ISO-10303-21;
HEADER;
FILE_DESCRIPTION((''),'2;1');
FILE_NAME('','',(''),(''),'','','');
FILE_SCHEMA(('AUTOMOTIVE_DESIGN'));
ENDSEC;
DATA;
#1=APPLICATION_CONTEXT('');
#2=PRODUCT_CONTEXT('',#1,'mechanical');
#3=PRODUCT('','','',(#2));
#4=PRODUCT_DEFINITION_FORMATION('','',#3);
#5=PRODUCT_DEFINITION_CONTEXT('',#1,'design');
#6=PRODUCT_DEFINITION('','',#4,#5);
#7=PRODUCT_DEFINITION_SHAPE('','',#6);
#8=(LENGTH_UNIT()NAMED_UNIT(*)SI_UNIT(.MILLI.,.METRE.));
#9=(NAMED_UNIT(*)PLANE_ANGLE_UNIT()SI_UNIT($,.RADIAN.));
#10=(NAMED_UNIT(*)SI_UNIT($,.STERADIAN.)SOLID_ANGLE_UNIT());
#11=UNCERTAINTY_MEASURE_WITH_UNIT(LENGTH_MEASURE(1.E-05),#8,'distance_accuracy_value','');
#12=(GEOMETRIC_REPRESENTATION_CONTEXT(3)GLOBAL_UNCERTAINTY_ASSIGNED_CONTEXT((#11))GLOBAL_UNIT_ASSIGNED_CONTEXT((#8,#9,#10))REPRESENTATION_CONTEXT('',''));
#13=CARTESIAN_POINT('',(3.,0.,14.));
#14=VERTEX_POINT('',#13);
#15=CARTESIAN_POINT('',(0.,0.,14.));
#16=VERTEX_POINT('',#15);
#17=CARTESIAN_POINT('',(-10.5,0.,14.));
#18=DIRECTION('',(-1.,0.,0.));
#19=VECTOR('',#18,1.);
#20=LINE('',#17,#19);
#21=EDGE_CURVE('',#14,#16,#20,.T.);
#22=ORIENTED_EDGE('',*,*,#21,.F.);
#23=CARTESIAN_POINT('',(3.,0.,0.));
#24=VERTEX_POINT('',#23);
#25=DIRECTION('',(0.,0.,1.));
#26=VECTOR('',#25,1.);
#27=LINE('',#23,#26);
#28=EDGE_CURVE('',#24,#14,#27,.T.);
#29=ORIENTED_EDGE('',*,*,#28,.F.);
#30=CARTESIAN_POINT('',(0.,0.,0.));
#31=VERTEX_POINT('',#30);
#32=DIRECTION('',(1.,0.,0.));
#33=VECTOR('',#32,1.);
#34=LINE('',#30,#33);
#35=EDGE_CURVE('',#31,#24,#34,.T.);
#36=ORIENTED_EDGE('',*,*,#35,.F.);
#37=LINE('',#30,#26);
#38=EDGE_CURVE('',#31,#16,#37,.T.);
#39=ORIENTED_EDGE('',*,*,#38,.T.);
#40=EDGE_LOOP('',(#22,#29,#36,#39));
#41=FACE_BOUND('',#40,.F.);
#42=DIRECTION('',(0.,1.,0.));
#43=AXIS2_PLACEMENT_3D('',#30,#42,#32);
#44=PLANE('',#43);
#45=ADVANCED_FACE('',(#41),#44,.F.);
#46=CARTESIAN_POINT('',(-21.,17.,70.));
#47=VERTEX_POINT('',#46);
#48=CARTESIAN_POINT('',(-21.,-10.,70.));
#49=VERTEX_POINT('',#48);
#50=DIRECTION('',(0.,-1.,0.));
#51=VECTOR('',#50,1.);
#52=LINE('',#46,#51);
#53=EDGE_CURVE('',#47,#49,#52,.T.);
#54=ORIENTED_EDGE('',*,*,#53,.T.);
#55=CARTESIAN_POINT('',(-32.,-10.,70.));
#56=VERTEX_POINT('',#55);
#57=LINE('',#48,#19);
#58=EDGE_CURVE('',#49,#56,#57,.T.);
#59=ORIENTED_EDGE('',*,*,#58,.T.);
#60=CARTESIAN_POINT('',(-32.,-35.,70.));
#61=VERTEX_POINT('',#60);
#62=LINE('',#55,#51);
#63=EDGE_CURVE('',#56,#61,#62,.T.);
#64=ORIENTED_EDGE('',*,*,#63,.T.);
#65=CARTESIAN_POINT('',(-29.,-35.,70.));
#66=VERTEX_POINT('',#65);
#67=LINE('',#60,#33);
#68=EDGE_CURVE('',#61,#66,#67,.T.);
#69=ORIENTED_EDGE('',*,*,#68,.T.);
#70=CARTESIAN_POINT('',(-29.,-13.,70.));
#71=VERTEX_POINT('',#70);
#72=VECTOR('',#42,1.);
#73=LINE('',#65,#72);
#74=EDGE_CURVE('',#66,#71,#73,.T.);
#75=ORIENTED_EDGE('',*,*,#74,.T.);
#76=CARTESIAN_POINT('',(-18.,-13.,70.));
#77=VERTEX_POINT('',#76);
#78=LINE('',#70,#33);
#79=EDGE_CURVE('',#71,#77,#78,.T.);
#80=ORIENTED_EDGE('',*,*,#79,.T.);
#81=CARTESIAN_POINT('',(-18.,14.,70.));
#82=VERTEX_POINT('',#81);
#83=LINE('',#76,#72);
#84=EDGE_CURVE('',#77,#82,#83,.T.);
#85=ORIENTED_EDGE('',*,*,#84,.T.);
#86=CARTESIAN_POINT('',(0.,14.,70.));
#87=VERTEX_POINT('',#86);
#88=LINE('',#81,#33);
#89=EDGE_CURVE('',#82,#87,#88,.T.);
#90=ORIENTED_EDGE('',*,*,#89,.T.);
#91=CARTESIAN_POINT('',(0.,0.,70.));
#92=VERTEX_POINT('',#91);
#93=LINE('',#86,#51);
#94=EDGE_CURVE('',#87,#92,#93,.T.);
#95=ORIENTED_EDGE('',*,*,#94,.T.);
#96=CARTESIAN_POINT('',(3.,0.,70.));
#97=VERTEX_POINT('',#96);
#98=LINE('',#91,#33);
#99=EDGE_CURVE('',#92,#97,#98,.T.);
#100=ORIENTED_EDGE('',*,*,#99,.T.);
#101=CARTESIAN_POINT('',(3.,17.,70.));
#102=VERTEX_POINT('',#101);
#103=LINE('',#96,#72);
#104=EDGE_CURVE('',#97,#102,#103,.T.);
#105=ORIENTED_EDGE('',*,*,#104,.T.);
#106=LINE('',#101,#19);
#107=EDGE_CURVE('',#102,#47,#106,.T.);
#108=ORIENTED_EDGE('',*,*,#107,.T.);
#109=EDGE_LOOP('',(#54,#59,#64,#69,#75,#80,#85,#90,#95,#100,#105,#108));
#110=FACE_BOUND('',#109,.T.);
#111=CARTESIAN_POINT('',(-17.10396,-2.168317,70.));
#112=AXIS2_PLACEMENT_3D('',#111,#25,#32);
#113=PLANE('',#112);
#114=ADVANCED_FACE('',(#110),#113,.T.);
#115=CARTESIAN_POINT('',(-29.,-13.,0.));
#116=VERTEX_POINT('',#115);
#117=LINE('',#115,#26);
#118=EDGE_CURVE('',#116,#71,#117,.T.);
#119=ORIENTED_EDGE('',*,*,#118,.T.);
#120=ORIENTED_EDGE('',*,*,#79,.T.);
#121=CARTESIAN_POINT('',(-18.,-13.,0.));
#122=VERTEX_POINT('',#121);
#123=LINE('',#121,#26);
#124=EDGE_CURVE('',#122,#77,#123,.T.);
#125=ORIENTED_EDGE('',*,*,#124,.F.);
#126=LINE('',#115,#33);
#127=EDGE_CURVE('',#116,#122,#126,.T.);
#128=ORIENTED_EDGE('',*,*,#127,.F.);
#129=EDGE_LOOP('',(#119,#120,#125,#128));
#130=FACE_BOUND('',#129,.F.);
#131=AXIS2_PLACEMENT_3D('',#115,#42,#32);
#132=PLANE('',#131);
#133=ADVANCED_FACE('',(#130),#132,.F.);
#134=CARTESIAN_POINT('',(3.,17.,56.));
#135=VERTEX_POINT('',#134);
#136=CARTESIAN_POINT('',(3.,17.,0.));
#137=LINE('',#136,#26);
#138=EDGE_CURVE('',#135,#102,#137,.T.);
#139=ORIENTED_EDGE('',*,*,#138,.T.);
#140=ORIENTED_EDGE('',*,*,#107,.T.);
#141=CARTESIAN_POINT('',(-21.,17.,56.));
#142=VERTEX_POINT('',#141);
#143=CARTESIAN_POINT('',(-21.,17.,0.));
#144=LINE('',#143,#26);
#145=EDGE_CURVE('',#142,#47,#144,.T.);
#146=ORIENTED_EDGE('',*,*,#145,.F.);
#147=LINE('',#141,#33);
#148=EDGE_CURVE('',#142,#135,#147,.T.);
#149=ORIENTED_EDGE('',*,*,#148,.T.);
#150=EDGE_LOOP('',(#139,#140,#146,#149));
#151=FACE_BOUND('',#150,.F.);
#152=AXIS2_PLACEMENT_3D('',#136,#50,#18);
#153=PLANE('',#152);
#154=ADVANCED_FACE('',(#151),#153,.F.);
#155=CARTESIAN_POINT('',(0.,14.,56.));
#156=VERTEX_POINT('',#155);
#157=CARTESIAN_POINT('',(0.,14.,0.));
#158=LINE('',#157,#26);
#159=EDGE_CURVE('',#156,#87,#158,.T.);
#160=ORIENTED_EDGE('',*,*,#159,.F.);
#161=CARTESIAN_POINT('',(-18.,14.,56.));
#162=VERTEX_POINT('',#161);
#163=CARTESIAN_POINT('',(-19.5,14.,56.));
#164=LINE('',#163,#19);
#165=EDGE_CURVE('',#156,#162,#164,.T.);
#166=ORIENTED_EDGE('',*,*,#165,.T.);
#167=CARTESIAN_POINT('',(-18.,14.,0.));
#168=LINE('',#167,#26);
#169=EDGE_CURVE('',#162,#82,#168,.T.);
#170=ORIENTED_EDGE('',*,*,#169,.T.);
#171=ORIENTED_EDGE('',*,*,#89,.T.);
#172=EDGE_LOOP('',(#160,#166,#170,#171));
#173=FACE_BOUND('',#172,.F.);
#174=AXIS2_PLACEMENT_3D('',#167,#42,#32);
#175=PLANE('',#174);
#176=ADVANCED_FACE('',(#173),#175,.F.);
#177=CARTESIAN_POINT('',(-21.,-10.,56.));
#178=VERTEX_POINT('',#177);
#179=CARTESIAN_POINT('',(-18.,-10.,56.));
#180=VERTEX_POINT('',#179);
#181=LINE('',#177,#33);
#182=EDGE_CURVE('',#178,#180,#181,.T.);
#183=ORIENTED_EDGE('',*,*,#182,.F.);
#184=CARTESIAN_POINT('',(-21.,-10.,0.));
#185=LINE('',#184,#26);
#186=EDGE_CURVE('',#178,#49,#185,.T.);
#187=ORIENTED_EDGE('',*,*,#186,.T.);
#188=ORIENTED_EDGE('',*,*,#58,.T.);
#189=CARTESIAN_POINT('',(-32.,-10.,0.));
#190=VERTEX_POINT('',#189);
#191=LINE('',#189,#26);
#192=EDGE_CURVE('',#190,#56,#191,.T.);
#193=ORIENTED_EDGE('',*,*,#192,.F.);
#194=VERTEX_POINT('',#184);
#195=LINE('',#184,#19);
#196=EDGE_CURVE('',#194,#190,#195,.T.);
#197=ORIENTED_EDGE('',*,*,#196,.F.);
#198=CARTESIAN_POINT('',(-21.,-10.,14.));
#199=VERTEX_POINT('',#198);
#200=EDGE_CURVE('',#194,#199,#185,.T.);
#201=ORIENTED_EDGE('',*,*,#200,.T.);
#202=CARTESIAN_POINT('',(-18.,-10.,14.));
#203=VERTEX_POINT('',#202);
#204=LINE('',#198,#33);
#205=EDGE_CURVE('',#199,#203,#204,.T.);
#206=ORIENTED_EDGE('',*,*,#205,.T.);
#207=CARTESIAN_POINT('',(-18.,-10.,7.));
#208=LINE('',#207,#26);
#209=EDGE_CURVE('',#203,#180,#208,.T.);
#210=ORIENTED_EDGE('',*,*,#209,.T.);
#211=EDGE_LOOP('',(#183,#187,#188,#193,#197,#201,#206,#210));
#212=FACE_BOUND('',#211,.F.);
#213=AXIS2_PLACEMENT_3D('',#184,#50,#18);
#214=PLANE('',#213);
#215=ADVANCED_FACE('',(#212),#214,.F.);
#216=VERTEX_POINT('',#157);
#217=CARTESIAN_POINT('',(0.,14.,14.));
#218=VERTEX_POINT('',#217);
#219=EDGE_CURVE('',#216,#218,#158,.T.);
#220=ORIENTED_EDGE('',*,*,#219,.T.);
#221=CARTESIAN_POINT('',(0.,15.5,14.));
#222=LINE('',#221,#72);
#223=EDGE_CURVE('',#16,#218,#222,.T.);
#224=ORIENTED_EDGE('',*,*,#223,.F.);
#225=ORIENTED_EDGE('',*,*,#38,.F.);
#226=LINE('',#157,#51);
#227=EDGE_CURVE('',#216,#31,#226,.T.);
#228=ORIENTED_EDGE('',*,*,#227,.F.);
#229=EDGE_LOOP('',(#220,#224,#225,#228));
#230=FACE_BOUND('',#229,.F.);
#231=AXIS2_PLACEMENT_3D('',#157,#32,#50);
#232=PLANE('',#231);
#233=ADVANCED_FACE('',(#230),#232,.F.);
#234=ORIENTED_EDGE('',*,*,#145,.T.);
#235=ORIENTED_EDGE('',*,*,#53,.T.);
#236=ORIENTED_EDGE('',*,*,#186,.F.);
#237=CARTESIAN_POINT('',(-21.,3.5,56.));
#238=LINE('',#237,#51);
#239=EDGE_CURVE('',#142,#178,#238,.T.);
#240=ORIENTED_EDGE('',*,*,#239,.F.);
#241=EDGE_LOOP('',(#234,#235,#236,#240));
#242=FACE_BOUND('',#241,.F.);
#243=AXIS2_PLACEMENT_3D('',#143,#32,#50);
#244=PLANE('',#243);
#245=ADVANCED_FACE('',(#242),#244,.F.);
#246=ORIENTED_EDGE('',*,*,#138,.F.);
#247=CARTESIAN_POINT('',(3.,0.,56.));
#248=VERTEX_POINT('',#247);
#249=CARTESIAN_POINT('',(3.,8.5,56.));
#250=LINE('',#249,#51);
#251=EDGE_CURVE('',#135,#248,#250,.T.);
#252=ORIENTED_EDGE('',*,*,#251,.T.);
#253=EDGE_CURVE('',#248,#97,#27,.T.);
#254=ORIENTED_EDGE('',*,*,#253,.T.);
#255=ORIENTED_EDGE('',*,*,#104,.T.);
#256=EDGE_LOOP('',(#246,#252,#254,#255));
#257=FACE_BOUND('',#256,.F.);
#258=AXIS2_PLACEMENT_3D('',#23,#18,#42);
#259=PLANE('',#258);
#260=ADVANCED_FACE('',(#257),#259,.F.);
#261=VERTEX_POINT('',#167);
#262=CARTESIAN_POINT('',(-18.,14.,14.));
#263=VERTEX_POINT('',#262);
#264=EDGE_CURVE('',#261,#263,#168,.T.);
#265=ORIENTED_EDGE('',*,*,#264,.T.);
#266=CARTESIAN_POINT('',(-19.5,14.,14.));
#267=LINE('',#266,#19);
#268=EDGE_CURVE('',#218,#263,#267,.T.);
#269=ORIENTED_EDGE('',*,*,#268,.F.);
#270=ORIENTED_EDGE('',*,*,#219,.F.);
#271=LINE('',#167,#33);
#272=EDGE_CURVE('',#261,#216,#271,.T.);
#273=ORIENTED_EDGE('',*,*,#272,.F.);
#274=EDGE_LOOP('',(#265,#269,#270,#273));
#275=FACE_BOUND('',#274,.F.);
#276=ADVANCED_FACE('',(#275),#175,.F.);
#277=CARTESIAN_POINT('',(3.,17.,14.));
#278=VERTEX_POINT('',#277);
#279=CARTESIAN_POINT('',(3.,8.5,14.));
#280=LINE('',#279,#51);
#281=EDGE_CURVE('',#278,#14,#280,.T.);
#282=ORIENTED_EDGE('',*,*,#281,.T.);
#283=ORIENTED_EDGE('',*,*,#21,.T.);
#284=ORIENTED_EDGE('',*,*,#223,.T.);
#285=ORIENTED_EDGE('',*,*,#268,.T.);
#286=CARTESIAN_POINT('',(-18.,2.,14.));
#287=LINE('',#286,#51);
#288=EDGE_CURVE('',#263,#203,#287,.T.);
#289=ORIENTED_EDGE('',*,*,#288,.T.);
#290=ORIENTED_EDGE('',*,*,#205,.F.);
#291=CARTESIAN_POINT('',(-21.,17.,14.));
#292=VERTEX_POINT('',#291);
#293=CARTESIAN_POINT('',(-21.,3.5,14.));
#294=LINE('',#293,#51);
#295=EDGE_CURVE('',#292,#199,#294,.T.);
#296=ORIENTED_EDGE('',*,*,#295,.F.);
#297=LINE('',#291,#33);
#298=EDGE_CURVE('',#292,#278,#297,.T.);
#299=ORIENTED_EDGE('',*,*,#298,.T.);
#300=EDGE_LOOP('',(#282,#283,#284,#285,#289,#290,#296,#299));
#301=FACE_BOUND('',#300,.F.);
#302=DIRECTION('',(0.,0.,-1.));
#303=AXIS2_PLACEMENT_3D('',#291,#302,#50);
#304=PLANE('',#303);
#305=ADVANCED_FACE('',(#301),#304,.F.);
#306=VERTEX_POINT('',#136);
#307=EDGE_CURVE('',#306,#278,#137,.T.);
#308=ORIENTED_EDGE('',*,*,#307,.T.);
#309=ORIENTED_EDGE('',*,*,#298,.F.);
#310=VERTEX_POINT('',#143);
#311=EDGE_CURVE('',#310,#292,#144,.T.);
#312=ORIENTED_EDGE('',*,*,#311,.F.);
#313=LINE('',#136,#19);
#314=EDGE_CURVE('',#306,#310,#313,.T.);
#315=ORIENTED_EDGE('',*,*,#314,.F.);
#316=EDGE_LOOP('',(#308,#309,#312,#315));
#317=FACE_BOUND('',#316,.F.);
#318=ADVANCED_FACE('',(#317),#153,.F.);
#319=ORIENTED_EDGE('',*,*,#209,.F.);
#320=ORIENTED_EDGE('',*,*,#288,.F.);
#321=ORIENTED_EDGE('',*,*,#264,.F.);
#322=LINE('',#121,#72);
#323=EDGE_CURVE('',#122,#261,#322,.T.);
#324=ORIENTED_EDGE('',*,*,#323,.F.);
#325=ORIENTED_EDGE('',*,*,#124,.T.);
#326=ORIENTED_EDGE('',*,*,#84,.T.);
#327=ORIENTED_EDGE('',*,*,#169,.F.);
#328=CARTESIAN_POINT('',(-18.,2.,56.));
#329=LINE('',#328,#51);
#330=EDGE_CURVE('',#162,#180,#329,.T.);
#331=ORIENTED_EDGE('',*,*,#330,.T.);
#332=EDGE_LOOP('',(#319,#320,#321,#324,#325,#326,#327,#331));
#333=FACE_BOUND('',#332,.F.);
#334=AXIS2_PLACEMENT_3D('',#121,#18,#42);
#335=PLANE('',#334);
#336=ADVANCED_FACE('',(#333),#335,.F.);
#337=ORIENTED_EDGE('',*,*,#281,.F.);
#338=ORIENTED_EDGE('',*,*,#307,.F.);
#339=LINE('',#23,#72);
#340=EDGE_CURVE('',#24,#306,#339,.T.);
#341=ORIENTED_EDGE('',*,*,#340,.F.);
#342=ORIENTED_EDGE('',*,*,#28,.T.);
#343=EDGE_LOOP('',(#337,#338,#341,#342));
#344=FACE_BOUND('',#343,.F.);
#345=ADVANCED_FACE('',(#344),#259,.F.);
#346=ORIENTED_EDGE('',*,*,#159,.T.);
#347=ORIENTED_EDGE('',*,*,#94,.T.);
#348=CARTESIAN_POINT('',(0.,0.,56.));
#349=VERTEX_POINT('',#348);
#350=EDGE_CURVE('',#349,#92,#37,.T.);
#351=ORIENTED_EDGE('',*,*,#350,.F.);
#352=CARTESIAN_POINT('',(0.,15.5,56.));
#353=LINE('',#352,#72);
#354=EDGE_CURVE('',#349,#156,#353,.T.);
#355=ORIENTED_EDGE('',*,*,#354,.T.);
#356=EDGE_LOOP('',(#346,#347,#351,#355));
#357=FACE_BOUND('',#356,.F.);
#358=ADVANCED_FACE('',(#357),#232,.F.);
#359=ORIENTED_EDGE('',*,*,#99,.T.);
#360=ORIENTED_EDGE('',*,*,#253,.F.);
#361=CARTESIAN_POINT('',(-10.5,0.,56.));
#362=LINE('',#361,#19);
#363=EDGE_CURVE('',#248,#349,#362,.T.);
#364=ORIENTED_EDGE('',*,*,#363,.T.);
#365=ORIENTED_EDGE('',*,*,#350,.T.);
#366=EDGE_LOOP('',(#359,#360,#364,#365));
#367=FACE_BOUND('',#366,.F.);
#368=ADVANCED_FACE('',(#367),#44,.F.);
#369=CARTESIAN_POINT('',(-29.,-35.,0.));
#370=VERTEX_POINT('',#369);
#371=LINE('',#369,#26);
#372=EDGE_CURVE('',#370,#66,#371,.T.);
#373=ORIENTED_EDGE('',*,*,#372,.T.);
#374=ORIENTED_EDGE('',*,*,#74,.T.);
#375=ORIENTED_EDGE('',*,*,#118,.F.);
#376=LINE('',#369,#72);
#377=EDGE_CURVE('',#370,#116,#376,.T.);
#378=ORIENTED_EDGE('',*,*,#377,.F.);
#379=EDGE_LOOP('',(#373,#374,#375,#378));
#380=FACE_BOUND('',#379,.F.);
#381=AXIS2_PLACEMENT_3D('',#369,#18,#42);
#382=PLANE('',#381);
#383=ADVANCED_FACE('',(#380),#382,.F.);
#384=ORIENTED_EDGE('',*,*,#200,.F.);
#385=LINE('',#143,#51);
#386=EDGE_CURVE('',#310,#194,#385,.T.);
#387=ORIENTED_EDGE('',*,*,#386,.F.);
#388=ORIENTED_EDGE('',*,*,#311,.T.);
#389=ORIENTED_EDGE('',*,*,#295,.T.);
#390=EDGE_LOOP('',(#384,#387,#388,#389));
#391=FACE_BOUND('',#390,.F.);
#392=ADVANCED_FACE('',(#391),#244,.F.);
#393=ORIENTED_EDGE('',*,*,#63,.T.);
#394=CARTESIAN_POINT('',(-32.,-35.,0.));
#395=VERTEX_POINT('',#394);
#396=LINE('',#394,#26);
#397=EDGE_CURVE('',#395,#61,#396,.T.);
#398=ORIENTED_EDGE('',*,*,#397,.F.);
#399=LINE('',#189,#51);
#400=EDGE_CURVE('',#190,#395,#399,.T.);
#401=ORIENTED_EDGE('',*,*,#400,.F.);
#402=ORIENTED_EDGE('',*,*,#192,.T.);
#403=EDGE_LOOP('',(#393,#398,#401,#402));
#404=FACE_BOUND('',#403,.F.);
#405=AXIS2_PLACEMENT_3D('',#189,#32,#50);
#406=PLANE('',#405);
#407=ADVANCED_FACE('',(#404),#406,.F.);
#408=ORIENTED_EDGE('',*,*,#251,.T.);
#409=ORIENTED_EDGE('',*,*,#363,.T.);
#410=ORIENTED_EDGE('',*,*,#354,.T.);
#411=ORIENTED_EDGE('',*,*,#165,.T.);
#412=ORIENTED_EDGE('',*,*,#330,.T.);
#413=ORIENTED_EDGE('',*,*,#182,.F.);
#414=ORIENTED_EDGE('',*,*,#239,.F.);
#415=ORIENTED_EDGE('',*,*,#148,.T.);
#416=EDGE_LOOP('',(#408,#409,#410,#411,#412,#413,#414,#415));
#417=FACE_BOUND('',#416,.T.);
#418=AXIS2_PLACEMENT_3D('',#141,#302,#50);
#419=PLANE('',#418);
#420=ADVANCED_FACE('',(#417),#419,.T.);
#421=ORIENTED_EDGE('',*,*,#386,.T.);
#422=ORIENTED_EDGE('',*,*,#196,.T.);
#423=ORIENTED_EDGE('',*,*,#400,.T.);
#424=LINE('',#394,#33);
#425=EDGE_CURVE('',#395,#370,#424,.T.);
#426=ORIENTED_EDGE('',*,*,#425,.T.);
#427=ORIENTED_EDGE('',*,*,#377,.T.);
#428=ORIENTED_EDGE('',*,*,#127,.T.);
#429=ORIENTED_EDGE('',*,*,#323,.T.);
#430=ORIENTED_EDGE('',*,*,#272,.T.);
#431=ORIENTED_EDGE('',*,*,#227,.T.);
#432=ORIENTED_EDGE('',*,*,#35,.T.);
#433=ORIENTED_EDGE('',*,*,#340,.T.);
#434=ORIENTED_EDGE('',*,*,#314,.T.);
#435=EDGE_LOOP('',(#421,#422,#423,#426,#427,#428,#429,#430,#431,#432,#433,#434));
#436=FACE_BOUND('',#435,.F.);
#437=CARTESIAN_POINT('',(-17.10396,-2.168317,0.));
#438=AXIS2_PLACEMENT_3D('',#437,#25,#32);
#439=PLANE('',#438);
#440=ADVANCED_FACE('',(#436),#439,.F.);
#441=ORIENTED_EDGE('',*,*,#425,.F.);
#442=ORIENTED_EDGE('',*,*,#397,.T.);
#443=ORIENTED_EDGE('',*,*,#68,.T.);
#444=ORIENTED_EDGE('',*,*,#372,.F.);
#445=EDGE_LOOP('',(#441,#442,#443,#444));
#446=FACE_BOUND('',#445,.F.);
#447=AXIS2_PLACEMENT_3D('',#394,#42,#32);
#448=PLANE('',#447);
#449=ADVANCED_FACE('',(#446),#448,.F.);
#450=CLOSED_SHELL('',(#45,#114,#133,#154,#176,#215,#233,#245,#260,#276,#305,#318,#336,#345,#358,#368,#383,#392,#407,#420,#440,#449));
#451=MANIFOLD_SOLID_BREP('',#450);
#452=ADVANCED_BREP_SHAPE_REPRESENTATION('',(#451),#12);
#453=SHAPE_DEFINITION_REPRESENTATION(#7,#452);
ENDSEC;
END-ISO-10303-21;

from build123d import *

# Parameters (mm, degrees)
F1_DEPTH = 70
F2_W     = 27
F2_H     = 42
F3_DEPTH = 25


with BuildPart() as f1:
    # F0 (on Top) → F1 (new body)
    with BuildSketch(Plane.XY):
        Polygon((0, 14), (0, 0), (3, 0), (3, 17), (-21, 17), (-21, -10), (-32, -10), (-32, -35), (-29, -35), (-29, -13), (-18, -13), (-18, 14), align=None)
    extrude(amount=F1_DEPTH)

    # F2 (on face) → F3 (cut)
    with BuildSketch(Plane(origin=(-21, 0, 0), x_dir=(0, -1, 0), z_dir=(-1, 0, 0))):
        with Locations((-3.5, 35)):
            Rectangle(F2_W, F2_H)
    extrude(amount=-F3_DEPTH, mode=Mode.SUBTRACT)


solid = f1.part
